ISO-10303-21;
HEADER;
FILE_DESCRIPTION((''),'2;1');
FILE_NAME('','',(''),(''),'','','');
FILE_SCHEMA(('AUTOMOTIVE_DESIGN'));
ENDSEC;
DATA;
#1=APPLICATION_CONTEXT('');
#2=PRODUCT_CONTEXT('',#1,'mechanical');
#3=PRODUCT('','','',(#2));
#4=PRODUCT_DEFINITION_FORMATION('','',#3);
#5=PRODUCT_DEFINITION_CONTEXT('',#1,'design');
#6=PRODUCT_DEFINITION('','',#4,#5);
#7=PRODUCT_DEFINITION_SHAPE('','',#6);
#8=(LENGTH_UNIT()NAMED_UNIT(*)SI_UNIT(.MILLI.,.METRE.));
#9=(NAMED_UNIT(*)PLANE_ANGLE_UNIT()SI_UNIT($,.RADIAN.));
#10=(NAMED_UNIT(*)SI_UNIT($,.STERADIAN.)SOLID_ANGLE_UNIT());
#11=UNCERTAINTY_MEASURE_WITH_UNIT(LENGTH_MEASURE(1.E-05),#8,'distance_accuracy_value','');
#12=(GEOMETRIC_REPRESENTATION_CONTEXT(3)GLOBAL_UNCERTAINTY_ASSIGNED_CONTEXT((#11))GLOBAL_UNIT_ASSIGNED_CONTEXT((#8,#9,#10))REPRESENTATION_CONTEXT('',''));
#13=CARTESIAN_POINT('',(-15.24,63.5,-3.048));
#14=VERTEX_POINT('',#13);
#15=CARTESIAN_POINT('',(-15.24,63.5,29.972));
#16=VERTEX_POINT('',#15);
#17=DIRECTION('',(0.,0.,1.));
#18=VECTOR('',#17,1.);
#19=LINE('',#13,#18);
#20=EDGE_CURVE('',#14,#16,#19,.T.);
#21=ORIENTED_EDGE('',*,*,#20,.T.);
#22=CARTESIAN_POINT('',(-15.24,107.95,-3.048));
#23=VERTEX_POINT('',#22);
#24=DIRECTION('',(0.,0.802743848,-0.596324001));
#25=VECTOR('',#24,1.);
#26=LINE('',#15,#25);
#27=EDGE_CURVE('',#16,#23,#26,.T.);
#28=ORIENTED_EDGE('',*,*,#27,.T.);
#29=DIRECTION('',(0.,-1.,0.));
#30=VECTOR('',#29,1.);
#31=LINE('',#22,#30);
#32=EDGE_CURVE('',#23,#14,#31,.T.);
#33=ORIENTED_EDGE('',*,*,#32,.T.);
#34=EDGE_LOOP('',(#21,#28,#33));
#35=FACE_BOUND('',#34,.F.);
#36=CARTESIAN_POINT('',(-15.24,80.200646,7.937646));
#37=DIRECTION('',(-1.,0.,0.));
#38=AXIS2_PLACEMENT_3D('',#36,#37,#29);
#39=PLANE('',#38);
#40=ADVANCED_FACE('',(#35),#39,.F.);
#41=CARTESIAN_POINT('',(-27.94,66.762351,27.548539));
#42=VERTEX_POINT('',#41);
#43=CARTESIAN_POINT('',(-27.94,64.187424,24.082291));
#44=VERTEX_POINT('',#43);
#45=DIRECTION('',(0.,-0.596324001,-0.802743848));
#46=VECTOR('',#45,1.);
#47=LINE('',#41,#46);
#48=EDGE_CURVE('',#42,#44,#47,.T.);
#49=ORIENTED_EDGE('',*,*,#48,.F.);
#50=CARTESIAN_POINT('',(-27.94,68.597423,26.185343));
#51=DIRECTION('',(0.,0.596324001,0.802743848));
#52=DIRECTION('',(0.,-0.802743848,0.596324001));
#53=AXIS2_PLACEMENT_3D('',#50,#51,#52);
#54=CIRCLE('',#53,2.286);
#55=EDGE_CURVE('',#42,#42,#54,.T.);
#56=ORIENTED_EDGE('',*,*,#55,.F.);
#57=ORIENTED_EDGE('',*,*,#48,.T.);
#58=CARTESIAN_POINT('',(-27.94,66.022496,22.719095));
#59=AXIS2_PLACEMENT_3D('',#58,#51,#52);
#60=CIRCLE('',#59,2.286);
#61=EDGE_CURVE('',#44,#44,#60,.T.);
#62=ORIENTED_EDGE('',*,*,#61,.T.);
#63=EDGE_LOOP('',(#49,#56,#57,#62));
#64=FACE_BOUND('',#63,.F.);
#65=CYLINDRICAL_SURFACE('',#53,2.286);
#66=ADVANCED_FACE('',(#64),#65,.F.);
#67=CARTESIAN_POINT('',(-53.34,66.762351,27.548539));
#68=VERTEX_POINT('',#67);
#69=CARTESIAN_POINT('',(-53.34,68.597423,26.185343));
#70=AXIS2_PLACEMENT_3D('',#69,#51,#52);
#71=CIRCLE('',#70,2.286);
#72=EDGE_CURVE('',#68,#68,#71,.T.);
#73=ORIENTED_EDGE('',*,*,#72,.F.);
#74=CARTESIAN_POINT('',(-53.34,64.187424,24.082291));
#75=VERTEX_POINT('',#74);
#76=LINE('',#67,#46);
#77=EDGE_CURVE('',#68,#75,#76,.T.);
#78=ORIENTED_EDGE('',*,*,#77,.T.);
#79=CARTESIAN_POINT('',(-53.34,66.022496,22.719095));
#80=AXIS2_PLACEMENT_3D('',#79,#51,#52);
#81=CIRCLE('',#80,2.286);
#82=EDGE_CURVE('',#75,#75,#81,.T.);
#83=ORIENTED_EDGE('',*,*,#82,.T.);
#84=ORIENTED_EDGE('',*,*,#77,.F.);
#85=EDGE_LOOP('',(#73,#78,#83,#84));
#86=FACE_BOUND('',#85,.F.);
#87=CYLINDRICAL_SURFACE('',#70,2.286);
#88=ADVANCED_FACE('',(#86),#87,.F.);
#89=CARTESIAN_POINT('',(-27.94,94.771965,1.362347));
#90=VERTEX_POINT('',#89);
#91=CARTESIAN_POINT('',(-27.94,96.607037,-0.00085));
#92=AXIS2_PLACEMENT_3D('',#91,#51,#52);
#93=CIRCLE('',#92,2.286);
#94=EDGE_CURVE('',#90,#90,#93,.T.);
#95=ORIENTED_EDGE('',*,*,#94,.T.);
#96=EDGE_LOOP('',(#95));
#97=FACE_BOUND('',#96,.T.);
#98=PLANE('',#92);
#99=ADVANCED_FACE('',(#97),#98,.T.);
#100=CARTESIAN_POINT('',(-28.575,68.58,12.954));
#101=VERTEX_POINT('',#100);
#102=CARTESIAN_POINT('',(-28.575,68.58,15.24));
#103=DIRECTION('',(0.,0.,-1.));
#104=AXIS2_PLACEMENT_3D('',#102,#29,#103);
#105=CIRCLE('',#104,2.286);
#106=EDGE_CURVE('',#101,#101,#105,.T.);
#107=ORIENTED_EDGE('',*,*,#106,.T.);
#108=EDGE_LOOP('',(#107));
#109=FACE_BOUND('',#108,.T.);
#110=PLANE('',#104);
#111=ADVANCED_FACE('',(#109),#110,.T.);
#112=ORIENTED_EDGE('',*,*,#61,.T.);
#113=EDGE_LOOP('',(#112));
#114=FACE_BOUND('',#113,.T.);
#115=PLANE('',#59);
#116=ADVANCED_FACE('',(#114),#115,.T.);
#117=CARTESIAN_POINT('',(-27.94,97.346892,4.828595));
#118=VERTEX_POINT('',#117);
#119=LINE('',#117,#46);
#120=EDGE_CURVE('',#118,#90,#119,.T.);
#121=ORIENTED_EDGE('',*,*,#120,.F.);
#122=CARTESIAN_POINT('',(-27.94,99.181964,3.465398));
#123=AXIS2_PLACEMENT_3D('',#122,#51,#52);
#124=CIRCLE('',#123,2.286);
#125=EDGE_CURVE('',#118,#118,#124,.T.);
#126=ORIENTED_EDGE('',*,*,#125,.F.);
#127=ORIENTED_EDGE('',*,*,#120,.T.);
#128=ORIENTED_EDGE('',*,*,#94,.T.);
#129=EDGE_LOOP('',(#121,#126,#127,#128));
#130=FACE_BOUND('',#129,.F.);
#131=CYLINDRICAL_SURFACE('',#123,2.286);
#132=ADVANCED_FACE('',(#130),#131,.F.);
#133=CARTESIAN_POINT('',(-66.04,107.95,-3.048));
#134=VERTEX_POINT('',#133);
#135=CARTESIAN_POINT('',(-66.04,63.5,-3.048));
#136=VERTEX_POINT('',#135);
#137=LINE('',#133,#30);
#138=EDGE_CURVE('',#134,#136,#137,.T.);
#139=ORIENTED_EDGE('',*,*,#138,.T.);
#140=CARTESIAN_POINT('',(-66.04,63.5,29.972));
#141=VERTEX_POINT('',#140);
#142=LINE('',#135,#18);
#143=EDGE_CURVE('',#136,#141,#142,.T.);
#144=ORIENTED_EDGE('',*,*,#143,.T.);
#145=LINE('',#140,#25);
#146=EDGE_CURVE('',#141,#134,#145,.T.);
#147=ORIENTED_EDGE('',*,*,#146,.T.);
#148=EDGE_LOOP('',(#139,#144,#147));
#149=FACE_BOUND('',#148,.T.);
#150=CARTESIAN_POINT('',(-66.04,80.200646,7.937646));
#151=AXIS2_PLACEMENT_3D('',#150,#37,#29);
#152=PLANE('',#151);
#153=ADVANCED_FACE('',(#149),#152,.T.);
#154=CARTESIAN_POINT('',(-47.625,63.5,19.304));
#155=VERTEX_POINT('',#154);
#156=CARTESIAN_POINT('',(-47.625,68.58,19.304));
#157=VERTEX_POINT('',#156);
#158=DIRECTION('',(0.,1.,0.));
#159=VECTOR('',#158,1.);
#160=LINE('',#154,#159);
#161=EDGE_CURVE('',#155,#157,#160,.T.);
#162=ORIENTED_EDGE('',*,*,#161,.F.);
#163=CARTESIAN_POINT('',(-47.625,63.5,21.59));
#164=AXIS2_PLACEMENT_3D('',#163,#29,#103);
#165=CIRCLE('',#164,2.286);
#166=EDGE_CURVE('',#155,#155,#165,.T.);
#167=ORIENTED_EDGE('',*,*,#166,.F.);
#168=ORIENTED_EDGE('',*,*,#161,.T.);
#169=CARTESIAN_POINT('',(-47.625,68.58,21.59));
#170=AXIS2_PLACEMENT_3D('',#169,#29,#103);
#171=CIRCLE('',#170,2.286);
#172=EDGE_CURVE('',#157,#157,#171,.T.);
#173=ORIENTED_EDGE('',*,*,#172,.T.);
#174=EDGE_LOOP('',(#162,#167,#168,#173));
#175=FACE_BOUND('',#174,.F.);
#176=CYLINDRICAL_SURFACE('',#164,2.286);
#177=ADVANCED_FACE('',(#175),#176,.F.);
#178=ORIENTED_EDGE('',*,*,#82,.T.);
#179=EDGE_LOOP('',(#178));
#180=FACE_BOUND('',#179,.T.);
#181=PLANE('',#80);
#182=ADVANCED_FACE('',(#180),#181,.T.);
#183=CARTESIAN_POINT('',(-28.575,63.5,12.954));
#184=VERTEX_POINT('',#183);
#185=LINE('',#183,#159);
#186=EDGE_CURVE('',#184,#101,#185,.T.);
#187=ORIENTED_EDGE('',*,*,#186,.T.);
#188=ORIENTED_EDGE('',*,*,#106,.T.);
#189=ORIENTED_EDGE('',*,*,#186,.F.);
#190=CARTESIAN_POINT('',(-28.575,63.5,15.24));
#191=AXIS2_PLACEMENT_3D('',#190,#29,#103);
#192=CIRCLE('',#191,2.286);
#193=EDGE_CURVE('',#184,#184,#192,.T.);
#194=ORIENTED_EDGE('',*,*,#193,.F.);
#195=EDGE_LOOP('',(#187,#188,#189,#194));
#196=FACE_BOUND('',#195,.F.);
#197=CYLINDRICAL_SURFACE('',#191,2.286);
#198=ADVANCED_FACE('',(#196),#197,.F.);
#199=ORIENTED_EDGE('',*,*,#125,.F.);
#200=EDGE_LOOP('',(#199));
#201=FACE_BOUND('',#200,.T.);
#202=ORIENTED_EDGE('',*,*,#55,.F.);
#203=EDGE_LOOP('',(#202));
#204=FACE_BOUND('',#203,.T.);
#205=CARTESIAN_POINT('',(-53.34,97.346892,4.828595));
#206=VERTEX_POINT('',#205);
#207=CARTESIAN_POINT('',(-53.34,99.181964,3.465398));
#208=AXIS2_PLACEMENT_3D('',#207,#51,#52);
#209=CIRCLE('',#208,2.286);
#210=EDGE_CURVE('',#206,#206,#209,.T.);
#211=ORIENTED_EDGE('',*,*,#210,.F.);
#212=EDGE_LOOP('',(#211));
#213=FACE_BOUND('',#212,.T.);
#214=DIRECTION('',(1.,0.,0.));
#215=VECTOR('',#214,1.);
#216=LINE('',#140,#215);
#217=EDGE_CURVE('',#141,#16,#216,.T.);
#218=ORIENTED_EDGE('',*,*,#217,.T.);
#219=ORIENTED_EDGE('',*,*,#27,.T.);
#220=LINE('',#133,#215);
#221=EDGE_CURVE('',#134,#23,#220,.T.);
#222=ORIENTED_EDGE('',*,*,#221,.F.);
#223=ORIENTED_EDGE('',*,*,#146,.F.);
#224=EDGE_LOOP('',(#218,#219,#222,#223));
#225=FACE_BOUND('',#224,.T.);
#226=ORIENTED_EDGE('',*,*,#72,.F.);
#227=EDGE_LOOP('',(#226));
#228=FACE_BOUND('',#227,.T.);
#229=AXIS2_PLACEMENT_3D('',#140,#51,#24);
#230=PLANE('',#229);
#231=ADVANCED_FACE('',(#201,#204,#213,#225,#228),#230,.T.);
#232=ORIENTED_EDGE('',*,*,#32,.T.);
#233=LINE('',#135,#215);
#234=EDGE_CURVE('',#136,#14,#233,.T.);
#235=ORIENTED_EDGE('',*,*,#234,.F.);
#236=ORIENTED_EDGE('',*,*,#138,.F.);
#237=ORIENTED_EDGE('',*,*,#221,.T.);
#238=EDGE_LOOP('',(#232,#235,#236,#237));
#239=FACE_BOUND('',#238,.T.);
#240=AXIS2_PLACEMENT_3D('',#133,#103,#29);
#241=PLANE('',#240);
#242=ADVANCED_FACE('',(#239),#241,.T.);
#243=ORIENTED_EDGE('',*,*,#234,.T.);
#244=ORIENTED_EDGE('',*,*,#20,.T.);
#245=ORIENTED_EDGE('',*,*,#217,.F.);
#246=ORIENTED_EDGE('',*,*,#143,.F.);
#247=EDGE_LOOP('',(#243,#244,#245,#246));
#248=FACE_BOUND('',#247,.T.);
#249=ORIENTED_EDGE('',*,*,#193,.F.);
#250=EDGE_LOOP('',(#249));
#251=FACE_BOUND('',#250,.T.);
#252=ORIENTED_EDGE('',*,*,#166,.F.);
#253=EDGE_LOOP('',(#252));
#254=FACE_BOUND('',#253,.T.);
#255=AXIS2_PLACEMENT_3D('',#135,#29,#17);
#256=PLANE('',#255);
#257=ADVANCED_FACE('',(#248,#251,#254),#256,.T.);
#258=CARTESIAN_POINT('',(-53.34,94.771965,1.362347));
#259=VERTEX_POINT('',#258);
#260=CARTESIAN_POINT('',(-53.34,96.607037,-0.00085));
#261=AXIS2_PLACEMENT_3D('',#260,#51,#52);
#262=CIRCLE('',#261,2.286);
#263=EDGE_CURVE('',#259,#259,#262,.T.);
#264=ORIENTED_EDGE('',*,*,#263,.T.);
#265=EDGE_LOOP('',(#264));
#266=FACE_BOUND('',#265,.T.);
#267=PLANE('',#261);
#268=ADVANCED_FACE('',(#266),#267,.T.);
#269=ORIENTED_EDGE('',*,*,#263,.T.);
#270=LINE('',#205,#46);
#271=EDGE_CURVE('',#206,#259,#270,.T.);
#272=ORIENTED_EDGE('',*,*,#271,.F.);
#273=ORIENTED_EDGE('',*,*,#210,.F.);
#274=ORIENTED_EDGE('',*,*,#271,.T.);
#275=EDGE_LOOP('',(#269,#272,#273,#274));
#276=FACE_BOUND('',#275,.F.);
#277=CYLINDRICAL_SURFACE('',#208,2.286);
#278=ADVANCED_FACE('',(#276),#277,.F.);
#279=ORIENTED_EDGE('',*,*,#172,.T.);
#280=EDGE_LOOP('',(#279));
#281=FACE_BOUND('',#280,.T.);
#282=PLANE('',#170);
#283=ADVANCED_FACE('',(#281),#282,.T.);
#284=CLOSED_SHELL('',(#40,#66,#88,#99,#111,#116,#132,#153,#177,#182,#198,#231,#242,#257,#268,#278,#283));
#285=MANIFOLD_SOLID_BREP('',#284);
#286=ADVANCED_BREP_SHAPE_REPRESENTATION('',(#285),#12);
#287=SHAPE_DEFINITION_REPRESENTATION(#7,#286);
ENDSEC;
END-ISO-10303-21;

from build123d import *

# Parameters (mm, degrees)
PAD031_DEPTH    = 50.8
SKETCH066_R     = 2.286
POCKET030_DEPTH = 5.08
SKETCH070_R     = 2.286
POCKET033_DEPTH = 4.318


with BuildPart() as part:
    # Sketch065 → Pad031 (new body)
    with BuildSketch(Plane.YZ):
        Polygon((0, 0), (0, 33.02), (44.45, 0), align=None)
    extrude(amount=PAD031_DEPTH)

    # Sketch066 (on Face1 of Pad031) → Pocket030 (cut)
    with BuildSketch(Plane(origin=(0, 0, 0), x_dir=(0, 0, -1), z_dir=(0, -1, 0))):
        with Locations((-24.638, 18.415)):
            Circle(SKETCH066_R)
        with Locations((-18.288, 37.465)):
            Circle(SKETCH066_R)
    extrude(amount=-POCKET030_DEPTH, mode=Mode.SUBTRACT)

    # Sketch070 (on Face5 of Pocket030) → Pocket033 (cut)
    with BuildSketch(Plane(origin=(0, 15.8065228827, 21.2780115729), x_dir=(0, -0.802743848, 0.5963240013), z_dir=(0, 0.5963240013, 0.802743848))):
        with Locations((-24.7593814758, 38.1)):
            Circle(SKETCH070_R)
        with Locations((13.3406185242, 38.1)):
            Circle(SKETCH070_R)
        with Locations((13.3406185242, 12.7)):
            Circle(SKETCH070_R)
        with Locations((-24.7593814758, 12.7)):
            Circle(SKETCH070_R)
    extrude(amount=-POCKET033_DEPTH, mode=Mode.SUBTRACT)


with BuildPart() as part_1:
    # Body023 placement: moved
    add(part.part.moved(Location((-66.04, 63.5, -3.048))))


solid = part_1.part
